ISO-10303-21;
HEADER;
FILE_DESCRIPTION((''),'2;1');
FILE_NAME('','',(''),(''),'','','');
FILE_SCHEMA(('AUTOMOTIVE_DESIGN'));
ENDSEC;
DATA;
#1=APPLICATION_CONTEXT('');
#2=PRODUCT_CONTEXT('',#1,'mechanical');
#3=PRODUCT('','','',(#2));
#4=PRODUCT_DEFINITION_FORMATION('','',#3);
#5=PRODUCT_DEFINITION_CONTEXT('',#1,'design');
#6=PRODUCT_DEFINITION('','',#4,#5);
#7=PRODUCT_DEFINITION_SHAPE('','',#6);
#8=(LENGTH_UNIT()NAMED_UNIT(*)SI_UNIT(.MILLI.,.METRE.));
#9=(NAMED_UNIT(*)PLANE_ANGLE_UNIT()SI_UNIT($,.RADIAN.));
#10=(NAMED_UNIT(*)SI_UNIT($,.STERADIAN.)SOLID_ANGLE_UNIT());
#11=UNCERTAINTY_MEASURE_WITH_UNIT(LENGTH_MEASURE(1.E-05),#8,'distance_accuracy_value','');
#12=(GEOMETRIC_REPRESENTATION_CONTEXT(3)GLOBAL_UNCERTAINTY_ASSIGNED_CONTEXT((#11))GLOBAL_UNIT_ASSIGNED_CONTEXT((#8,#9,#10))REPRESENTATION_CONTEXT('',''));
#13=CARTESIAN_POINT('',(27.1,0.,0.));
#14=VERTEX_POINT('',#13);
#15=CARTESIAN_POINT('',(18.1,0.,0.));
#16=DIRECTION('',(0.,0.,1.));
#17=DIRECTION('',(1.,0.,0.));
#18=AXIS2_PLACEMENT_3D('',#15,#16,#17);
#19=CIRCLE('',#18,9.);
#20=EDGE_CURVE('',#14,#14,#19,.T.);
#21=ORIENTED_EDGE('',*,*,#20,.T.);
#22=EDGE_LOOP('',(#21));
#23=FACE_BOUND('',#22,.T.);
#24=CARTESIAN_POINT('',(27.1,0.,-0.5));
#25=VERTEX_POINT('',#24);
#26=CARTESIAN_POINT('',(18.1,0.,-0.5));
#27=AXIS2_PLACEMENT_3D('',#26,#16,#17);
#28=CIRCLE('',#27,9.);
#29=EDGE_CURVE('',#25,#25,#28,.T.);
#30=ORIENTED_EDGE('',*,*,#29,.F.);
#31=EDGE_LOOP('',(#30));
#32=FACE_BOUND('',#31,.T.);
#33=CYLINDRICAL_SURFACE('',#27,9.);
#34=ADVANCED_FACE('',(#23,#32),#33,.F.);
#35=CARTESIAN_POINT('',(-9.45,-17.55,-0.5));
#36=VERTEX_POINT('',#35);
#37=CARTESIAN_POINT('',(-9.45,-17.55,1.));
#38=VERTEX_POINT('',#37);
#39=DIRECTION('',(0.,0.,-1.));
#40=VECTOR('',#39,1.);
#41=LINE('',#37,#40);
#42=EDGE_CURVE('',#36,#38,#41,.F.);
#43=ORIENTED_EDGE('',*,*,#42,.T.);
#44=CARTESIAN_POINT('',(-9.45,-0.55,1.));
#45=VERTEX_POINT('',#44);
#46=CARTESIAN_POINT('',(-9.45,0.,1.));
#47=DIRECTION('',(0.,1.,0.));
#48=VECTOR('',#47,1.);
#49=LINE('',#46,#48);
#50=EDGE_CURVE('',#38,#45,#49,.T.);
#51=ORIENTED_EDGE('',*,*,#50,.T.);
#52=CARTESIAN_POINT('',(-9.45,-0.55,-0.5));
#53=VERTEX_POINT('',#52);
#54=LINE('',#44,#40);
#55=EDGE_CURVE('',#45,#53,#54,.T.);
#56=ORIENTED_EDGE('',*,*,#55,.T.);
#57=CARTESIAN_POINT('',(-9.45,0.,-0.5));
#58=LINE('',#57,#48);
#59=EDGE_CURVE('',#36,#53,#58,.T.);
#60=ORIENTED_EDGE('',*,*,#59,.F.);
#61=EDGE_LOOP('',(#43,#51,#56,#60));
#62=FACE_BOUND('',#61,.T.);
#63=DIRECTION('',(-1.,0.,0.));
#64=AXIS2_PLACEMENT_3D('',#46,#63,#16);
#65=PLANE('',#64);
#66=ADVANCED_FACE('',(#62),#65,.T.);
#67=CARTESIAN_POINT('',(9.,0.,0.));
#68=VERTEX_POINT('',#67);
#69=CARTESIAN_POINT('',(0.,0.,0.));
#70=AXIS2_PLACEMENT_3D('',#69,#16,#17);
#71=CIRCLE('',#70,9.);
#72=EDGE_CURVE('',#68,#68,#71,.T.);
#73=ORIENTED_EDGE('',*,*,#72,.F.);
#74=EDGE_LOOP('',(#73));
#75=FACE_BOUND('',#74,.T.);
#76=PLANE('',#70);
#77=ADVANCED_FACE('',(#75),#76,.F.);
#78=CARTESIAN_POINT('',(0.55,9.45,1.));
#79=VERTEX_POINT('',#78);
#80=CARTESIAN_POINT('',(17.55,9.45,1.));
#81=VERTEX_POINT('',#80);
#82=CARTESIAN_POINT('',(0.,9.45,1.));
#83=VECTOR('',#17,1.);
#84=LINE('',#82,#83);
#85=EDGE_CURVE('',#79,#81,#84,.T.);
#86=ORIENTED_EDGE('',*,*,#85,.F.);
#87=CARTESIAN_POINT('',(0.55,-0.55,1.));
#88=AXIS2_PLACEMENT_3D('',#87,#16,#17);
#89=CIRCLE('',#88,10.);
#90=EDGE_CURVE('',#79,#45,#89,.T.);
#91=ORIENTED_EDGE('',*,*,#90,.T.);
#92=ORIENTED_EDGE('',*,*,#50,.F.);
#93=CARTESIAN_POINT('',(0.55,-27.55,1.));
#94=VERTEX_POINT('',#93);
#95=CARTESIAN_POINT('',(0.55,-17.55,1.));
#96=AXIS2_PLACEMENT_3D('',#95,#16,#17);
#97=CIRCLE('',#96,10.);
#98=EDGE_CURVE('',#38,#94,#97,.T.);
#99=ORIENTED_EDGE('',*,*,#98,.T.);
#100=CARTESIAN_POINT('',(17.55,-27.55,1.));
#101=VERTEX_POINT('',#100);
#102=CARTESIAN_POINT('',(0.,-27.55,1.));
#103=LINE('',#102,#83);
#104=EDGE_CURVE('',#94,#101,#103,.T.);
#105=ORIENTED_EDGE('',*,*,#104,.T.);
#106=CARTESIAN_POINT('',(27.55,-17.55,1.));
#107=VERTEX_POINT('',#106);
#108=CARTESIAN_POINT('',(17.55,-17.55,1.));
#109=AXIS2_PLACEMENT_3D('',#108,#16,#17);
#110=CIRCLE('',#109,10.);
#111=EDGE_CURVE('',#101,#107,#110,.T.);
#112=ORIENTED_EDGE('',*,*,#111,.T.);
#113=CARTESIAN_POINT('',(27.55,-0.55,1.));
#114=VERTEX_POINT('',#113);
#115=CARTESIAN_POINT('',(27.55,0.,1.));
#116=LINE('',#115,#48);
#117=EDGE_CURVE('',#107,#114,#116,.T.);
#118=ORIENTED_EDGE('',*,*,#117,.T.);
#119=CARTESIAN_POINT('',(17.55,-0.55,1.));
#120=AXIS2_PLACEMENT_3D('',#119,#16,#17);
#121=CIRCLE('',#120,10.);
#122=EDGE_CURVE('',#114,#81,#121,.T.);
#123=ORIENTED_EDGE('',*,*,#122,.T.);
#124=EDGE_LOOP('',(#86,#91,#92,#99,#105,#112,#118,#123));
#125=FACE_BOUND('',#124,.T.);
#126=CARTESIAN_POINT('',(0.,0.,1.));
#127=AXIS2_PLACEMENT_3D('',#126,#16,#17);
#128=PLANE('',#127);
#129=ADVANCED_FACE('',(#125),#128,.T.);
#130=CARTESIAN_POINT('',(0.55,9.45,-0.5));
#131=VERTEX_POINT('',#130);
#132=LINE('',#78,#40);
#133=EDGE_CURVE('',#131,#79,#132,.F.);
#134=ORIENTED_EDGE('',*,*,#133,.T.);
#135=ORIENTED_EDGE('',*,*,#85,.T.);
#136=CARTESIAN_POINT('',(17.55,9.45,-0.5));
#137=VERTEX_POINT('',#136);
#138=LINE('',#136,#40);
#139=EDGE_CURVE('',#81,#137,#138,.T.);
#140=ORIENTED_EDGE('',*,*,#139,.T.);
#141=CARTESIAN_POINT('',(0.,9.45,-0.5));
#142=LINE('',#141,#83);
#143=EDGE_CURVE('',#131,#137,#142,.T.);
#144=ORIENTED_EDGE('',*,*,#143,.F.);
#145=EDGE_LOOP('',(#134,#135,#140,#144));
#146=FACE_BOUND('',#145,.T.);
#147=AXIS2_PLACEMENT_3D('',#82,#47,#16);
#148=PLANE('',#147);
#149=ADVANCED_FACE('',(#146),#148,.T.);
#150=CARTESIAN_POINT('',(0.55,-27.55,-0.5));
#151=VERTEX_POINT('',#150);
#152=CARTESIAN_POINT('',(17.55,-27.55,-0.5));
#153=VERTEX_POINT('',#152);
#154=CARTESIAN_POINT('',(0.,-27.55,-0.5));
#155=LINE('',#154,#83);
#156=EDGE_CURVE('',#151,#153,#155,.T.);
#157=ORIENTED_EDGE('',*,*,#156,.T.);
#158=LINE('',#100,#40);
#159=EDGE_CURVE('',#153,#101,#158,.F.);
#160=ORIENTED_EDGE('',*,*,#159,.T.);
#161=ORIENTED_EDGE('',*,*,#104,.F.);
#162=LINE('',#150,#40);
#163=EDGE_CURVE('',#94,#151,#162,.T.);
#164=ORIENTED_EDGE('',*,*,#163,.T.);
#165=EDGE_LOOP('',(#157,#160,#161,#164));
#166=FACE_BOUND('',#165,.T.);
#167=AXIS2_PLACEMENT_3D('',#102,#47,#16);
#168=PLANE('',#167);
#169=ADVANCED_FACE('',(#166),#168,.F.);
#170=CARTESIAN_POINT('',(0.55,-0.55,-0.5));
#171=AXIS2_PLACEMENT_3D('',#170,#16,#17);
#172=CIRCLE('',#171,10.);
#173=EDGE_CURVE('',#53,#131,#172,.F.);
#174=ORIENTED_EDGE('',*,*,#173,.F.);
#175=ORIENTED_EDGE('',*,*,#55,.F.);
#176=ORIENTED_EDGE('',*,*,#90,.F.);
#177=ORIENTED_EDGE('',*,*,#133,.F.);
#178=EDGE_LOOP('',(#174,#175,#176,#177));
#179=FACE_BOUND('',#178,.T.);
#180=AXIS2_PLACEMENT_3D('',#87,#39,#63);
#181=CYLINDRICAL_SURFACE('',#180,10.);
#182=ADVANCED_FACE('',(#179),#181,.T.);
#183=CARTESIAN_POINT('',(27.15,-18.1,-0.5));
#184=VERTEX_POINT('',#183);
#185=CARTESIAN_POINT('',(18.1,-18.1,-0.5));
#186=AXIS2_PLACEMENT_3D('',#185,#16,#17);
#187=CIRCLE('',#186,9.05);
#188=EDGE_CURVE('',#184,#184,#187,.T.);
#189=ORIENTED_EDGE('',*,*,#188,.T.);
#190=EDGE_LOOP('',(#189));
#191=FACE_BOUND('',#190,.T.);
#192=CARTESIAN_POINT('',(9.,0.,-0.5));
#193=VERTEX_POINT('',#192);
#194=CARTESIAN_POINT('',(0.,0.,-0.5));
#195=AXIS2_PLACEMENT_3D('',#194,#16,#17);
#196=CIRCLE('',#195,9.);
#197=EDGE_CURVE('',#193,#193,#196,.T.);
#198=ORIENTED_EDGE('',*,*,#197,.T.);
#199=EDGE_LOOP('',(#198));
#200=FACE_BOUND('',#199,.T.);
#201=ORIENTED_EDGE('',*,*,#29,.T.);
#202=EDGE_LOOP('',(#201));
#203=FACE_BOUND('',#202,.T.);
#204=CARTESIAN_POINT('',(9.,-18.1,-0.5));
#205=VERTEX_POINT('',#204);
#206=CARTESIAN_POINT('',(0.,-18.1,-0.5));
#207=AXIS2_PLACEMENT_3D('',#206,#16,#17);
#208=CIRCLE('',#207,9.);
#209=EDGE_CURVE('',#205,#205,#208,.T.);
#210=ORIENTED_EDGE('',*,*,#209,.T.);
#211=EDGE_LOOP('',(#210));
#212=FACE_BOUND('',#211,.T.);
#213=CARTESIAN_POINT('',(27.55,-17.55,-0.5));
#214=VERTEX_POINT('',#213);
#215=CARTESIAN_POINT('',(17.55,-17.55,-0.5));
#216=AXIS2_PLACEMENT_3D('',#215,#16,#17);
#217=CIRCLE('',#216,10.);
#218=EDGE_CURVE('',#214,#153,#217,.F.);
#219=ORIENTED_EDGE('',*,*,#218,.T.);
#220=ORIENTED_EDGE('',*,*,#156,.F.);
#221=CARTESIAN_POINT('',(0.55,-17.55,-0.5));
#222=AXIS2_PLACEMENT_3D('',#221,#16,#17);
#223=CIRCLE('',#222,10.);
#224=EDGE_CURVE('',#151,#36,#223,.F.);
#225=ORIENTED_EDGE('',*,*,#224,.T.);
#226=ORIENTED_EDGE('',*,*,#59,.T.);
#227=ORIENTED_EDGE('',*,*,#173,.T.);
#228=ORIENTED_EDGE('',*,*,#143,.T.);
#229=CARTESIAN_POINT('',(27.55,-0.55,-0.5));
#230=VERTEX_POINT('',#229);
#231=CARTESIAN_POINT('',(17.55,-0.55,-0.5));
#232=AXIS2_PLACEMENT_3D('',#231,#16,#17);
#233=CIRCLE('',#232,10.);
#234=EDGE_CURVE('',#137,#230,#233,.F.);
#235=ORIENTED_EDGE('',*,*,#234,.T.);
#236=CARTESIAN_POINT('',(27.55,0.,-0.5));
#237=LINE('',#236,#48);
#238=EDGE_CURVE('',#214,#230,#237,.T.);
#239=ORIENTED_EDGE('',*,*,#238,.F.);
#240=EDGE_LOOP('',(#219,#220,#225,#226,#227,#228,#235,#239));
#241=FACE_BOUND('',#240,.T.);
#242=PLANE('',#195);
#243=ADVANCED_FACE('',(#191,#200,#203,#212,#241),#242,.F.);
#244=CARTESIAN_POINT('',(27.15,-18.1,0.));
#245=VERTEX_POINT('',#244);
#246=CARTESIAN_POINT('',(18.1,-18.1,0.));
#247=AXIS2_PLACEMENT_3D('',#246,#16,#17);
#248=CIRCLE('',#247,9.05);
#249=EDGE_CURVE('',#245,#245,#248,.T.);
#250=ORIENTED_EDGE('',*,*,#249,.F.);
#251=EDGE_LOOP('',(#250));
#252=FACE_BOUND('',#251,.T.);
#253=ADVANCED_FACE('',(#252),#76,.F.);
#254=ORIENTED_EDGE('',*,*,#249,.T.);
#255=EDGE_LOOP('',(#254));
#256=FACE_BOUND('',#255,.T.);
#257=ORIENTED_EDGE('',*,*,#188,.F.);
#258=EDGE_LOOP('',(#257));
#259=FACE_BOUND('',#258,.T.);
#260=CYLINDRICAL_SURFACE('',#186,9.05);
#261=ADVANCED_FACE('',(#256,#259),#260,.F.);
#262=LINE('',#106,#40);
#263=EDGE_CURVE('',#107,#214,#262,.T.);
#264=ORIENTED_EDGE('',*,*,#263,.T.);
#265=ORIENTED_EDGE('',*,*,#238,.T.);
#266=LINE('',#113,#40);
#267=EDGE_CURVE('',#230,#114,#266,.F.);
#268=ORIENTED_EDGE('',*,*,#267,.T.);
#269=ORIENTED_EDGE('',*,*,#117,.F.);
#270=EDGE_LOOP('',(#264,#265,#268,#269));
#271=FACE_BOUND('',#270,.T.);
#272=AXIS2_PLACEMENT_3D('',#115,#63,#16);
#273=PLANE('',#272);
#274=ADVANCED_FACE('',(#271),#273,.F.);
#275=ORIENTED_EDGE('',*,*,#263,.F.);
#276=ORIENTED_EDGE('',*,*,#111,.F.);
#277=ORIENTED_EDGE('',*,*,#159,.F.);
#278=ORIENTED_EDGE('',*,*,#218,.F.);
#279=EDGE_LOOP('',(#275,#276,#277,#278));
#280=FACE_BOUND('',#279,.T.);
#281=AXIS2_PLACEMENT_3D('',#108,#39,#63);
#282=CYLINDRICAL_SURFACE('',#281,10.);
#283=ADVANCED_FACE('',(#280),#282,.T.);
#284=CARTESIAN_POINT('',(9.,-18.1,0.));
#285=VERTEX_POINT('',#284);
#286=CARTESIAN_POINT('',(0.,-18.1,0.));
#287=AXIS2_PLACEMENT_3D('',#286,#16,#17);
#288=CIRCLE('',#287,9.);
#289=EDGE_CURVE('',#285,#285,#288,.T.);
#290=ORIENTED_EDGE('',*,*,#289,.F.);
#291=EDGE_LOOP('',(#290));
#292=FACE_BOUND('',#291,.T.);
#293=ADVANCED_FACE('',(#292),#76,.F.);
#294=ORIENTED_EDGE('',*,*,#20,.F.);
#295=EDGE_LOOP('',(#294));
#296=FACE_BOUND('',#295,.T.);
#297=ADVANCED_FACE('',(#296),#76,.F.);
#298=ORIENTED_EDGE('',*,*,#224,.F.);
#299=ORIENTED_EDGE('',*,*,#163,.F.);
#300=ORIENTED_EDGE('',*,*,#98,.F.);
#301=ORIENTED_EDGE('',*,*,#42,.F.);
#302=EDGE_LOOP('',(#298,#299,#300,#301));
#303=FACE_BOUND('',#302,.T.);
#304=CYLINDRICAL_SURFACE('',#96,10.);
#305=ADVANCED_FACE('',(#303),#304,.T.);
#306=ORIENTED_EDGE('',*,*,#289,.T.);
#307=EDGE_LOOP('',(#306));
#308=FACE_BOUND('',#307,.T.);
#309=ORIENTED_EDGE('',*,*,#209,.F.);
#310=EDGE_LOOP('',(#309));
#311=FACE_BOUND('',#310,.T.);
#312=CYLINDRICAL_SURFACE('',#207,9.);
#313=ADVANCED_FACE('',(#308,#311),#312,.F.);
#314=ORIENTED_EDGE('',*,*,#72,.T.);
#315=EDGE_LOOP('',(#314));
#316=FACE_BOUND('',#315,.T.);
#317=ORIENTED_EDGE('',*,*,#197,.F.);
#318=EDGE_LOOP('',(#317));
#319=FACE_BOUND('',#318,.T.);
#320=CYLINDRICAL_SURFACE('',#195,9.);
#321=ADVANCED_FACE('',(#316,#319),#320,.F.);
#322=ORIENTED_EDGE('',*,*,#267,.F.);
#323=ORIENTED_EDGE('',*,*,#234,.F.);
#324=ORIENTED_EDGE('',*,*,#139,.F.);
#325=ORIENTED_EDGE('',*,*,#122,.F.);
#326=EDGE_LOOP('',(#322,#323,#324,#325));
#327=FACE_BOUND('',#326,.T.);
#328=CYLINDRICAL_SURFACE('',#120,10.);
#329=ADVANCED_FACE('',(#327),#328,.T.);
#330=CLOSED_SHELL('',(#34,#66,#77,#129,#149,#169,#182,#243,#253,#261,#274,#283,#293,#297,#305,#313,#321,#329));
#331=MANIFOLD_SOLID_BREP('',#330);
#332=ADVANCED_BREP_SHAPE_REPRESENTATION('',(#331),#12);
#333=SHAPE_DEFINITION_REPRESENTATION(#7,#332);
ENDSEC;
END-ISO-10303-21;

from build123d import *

# Parameters (mm, degrees)
SKETCH_1_W      = 37
SKETCH_1_H      = 37
EXTRUDE_1_DEPTH = 1
SKETCH_1_6_W    = 37
SKETCH_1_6_H    = 37
SKETCH_1_6_R    = 9.05
SKETCH_1_6_R_2  = 9
EXTRUDE_3_DEPTH = 0.5
FILLET_1_R      = 10


with BuildPart() as part:
    # Эскиз1 → Бобышка-Вытянуть1 (new body)
    with BuildSketch(Plane.XY):
        with Locations((9.05, -9.05)):
            Rectangle(SKETCH_1_W, SKETCH_1_H)
    extrude(amount=EXTRUDE_1_DEPTH)

    # Эскиз1<6> → Бобышка-Вытянуть3 (add)
    with BuildSketch(Plane.XY):
        with Locations((9.05, -9.05)):
            Rectangle(SKETCH_1_6_W, SKETCH_1_6_H)
        with Locations((18.1, -18.1)):
            Circle(SKETCH_1_6_R, mode=Mode.SUBTRACT)
        Circle(SKETCH_1_6_R_2, mode=Mode.SUBTRACT)
        with Locations((18.1, 0)):
            Circle(SKETCH_1_6_R_2, mode=Mode.SUBTRACT)
        with Locations((0, -18.1)):
            Circle(SKETCH_1_6_R_2, mode=Mode.SUBTRACT)
    extrude(amount=-EXTRUDE_3_DEPTH)

    # Скругление1
    fillet_1_edges = [part.edges().sort_by_distance(p)[0] for p in [
        (-9.45, -27.55, 0.25),
        (-9.45, 9.45, 0.25),
        (27.55, 9.45, 0.25),
        (27.55, -27.55, 0.25),
    ]]
    fillet(fillet_1_edges, radius=FILLET_1_R)


solid = part.part
